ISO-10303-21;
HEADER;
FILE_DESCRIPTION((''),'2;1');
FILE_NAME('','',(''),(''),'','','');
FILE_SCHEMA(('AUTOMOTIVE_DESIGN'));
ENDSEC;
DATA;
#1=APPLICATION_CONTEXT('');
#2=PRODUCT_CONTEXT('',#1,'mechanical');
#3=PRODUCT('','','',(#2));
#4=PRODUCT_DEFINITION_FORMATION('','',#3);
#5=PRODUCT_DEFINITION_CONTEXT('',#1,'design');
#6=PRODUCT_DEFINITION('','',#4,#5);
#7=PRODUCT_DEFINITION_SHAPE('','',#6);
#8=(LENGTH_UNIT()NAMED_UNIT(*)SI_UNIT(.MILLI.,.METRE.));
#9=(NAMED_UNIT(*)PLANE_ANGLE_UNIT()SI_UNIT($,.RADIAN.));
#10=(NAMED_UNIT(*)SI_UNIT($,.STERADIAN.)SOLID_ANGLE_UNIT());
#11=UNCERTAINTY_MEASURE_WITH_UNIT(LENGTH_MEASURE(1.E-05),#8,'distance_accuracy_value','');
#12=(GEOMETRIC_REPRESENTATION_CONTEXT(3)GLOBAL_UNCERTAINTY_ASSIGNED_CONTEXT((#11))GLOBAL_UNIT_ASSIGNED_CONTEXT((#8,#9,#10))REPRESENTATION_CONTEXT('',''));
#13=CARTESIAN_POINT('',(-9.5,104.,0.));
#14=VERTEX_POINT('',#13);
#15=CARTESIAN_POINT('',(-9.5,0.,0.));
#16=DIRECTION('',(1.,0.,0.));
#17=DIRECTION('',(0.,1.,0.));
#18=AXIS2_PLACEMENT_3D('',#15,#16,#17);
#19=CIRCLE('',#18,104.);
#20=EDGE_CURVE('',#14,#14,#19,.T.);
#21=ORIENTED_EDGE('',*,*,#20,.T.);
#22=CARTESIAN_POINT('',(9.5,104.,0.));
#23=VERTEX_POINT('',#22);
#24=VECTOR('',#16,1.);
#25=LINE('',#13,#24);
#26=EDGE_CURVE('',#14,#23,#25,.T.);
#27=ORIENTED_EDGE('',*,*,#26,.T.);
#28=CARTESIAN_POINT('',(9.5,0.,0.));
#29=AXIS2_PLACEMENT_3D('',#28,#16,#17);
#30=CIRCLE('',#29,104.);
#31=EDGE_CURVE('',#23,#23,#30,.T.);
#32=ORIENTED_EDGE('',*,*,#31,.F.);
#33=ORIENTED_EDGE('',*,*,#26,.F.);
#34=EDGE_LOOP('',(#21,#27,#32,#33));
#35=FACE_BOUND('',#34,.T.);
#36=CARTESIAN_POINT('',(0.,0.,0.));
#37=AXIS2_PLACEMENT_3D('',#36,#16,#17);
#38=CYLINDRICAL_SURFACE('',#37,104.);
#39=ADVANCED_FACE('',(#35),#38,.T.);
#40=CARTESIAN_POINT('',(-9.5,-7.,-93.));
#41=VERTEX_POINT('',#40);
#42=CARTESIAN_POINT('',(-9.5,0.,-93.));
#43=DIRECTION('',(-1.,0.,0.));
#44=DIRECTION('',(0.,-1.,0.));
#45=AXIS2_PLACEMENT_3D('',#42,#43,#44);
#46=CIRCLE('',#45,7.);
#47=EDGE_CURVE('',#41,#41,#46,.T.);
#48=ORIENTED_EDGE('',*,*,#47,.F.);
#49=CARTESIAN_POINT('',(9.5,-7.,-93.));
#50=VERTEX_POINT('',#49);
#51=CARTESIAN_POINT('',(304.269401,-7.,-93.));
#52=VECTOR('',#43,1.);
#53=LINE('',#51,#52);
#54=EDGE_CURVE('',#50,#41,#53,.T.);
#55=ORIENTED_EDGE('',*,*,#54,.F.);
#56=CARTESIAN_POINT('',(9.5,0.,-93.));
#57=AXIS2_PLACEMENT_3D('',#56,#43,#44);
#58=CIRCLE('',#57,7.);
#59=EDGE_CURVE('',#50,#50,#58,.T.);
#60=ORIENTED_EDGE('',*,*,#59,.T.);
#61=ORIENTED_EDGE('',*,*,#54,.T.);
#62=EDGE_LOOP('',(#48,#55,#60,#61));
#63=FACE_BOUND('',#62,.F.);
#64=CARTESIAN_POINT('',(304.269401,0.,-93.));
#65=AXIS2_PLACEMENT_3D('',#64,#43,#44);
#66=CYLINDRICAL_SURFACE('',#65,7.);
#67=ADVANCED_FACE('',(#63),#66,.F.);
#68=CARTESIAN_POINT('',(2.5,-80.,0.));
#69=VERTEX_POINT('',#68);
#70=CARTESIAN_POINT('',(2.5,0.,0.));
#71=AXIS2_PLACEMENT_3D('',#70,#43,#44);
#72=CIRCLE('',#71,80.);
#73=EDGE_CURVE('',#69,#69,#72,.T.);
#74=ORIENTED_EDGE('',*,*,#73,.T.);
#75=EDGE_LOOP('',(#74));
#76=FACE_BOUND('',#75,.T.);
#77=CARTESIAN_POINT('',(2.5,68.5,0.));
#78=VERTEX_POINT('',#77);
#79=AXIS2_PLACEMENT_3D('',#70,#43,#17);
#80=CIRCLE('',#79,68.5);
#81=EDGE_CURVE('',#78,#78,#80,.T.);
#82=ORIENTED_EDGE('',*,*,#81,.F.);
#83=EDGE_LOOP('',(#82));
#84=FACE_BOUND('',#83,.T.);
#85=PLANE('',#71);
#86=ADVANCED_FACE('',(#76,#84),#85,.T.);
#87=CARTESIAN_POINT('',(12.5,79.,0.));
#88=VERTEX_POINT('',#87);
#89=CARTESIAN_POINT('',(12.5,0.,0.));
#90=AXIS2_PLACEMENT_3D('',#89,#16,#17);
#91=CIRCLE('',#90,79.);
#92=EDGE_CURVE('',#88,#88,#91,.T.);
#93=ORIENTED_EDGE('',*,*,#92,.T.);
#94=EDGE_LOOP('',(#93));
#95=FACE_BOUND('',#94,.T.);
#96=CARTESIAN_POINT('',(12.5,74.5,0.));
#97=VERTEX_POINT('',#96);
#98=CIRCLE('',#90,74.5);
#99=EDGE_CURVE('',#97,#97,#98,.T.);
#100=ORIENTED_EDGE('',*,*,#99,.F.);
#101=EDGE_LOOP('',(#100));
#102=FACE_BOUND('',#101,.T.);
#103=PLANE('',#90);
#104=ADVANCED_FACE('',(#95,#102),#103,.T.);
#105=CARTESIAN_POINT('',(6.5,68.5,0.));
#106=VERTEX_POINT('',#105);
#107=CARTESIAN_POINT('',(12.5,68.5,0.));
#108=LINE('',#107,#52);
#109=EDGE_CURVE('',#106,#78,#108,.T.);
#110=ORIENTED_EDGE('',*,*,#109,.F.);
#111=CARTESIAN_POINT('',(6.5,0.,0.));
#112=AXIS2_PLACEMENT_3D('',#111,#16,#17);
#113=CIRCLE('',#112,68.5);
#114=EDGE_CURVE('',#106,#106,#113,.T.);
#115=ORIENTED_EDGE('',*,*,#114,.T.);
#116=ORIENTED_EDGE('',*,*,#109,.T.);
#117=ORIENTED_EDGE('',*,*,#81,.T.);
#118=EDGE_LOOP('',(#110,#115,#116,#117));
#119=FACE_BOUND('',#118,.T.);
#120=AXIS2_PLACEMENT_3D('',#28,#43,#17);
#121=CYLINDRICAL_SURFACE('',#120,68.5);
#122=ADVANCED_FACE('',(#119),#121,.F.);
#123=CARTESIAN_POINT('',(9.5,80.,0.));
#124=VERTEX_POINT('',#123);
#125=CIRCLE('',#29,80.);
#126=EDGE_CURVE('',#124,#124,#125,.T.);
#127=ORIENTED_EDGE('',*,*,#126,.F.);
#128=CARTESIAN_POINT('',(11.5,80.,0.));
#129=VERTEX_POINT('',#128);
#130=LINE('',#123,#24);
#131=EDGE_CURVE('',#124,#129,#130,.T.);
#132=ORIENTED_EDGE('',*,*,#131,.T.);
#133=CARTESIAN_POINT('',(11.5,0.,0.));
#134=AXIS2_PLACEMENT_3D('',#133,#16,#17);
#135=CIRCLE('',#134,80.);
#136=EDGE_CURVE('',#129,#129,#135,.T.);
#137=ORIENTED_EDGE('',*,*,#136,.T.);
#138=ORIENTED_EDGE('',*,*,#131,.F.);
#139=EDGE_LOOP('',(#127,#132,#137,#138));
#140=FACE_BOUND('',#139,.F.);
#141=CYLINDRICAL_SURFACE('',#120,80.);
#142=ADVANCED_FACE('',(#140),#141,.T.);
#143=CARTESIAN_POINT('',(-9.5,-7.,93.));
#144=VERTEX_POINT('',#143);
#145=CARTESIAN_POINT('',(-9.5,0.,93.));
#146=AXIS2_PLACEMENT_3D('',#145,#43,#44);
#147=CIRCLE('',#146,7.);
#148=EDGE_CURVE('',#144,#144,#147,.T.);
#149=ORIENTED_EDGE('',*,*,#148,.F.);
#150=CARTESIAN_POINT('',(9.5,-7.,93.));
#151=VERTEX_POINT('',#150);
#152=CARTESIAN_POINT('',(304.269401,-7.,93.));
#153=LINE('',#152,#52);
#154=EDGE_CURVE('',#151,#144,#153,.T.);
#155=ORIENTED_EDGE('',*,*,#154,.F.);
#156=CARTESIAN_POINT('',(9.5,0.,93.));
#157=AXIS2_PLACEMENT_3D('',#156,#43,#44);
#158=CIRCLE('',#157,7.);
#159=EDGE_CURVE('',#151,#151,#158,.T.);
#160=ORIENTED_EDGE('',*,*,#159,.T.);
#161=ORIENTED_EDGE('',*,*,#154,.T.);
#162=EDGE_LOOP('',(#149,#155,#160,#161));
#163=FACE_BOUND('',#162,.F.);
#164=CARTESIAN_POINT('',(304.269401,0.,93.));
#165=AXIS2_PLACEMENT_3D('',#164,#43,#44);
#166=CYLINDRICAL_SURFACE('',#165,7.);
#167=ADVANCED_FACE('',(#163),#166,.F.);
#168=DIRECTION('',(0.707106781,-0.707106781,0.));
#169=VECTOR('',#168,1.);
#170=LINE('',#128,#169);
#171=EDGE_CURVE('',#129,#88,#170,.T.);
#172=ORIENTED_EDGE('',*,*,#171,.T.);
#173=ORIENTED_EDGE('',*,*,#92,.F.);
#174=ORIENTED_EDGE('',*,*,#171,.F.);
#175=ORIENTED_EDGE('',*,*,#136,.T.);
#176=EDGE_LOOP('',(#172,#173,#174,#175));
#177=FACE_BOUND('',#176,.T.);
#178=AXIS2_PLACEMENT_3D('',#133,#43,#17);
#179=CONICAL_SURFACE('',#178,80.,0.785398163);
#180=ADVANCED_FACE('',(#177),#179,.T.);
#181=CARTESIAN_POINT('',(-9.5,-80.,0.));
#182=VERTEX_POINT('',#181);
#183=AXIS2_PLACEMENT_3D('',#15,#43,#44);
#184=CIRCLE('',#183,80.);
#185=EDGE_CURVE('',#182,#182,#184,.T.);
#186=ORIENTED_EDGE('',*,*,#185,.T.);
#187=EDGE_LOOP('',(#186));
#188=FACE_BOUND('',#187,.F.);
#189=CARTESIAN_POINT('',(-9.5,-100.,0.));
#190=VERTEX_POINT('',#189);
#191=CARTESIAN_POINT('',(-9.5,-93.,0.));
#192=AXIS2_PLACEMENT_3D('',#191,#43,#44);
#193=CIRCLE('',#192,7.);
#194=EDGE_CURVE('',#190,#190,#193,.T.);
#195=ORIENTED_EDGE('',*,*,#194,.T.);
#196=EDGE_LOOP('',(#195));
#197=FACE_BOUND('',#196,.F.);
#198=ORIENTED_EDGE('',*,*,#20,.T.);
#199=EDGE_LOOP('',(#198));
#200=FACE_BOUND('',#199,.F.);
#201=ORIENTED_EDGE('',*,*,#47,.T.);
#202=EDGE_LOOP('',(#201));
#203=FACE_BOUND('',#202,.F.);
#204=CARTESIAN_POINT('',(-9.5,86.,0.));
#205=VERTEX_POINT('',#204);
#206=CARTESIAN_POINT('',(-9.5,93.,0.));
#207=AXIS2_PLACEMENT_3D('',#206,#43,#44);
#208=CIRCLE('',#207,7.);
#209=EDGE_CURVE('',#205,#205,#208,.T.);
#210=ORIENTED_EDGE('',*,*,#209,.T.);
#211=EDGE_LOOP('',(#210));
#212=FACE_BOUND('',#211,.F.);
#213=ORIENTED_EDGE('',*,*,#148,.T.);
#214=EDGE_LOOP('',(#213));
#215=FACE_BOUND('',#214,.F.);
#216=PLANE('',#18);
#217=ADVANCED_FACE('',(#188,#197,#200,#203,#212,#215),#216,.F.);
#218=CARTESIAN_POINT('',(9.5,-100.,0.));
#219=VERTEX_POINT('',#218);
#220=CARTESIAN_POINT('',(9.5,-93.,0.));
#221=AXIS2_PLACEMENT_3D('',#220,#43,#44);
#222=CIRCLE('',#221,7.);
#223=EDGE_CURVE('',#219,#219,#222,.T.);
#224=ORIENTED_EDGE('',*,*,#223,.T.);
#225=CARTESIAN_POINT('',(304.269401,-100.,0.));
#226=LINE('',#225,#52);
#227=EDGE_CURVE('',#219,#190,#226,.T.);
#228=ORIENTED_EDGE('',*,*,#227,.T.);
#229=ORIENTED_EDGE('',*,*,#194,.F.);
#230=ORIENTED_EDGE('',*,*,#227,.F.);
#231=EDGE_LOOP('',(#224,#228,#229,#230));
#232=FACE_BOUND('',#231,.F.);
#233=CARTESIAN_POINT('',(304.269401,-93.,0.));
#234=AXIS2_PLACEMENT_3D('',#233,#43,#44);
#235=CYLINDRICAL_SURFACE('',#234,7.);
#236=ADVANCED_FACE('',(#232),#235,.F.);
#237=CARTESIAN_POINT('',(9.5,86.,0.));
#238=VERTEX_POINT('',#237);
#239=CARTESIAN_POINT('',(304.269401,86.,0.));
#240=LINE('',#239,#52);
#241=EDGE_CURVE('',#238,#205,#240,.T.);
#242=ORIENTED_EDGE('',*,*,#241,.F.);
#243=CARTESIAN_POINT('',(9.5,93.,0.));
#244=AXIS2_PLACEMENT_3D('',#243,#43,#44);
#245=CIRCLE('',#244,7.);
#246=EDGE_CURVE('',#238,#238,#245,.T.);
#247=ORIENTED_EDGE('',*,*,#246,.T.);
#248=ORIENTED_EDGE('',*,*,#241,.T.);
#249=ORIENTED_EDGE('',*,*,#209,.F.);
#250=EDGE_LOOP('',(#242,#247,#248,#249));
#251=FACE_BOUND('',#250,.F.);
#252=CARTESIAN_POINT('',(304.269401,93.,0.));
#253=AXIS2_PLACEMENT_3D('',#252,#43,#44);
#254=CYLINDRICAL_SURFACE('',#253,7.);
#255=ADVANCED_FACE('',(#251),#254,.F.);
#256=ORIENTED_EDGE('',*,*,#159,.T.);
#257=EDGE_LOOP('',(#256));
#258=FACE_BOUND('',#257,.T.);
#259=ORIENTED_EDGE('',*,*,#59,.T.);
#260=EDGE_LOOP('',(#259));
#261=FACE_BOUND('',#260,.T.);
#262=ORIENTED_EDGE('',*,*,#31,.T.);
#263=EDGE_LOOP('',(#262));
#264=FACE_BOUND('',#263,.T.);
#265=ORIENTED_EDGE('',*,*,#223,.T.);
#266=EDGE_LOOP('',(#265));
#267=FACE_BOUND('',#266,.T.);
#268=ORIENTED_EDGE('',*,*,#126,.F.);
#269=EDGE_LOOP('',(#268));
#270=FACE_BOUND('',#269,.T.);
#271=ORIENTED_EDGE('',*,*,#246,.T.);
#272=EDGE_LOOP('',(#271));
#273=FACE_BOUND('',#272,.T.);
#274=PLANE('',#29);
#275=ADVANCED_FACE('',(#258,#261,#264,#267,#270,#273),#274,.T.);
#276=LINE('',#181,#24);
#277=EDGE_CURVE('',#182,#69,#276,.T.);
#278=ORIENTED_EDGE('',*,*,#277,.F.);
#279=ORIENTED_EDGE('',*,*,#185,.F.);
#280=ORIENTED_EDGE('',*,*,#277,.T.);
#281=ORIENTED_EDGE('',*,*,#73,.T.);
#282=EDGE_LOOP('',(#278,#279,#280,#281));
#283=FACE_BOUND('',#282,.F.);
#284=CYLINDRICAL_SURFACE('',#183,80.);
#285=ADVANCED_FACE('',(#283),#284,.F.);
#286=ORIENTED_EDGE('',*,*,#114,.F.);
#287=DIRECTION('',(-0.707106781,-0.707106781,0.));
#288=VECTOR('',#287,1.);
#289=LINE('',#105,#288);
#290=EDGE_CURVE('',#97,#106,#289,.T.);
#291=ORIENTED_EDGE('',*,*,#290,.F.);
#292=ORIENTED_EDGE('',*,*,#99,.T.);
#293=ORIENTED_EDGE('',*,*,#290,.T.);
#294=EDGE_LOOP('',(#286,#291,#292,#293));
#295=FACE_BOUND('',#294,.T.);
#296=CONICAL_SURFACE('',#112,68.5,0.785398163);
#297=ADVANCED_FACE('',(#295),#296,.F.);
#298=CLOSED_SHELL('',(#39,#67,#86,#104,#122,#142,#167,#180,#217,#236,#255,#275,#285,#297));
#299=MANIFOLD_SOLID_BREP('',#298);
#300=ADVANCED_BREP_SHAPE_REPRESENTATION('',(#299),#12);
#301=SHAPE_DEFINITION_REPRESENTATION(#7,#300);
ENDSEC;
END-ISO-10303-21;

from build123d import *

# Parameters (mm, degrees)
F0_R     = 104
F0_R_2   = 68.5
F1_DEPTH = 9.5
F3_D     = 14
F4_R     = 80
F5_DEPTH = 12
F6_R     = 80
F6_R_2   = 68.5
F7_DEPTH = 3
F8_SIZE  = 1
F9_SIZE  = 6


with BuildPart() as f1:
    # F0 (on Right) → F1 (new body, symmetric)
    with BuildSketch(Plane.YZ):
        Circle(F0_R)
        Circle(F0_R_2, mode=Mode.SUBTRACT)
    extrude(amount=F1_DEPTH, both=True)

    # F3 (through all)
    with Locations(Plane.YZ.offset(9.5)):
        with Locations((0, 93), (93, 0), (0, -93), (-93, 0)):
            Hole(F3_D / 2)

    # F4 (on face) → F5 (cut)
    with BuildSketch(Plane(origin=(-9.5, 0, 0), x_dir=(0, -1, 0), z_dir=(-1, 0, 0))):
        Circle(F4_R)
    extrude(amount=-F5_DEPTH, mode=Mode.SUBTRACT)

    # F6 (on face) → F7 (join)
    with BuildSketch(Plane.YZ.offset(9.5)):
        Circle(F6_R)
        Circle(F6_R_2, mode=Mode.SUBTRACT)
    extrude(amount=F7_DEPTH)

    # F8
    f8_edges = [f1.edges().sort_by_distance(p)[0] for p in [
        (12.5, -80, 0),
    ]]
    chamfer(f8_edges, length=F8_SIZE)

    # F9
    f9_edges = [f1.edges().sort_by_distance(p)[0] for p in [
        (12.5, -68.5, 0),
    ]]
    chamfer(f9_edges, length=F9_SIZE)


solid = f1.part
